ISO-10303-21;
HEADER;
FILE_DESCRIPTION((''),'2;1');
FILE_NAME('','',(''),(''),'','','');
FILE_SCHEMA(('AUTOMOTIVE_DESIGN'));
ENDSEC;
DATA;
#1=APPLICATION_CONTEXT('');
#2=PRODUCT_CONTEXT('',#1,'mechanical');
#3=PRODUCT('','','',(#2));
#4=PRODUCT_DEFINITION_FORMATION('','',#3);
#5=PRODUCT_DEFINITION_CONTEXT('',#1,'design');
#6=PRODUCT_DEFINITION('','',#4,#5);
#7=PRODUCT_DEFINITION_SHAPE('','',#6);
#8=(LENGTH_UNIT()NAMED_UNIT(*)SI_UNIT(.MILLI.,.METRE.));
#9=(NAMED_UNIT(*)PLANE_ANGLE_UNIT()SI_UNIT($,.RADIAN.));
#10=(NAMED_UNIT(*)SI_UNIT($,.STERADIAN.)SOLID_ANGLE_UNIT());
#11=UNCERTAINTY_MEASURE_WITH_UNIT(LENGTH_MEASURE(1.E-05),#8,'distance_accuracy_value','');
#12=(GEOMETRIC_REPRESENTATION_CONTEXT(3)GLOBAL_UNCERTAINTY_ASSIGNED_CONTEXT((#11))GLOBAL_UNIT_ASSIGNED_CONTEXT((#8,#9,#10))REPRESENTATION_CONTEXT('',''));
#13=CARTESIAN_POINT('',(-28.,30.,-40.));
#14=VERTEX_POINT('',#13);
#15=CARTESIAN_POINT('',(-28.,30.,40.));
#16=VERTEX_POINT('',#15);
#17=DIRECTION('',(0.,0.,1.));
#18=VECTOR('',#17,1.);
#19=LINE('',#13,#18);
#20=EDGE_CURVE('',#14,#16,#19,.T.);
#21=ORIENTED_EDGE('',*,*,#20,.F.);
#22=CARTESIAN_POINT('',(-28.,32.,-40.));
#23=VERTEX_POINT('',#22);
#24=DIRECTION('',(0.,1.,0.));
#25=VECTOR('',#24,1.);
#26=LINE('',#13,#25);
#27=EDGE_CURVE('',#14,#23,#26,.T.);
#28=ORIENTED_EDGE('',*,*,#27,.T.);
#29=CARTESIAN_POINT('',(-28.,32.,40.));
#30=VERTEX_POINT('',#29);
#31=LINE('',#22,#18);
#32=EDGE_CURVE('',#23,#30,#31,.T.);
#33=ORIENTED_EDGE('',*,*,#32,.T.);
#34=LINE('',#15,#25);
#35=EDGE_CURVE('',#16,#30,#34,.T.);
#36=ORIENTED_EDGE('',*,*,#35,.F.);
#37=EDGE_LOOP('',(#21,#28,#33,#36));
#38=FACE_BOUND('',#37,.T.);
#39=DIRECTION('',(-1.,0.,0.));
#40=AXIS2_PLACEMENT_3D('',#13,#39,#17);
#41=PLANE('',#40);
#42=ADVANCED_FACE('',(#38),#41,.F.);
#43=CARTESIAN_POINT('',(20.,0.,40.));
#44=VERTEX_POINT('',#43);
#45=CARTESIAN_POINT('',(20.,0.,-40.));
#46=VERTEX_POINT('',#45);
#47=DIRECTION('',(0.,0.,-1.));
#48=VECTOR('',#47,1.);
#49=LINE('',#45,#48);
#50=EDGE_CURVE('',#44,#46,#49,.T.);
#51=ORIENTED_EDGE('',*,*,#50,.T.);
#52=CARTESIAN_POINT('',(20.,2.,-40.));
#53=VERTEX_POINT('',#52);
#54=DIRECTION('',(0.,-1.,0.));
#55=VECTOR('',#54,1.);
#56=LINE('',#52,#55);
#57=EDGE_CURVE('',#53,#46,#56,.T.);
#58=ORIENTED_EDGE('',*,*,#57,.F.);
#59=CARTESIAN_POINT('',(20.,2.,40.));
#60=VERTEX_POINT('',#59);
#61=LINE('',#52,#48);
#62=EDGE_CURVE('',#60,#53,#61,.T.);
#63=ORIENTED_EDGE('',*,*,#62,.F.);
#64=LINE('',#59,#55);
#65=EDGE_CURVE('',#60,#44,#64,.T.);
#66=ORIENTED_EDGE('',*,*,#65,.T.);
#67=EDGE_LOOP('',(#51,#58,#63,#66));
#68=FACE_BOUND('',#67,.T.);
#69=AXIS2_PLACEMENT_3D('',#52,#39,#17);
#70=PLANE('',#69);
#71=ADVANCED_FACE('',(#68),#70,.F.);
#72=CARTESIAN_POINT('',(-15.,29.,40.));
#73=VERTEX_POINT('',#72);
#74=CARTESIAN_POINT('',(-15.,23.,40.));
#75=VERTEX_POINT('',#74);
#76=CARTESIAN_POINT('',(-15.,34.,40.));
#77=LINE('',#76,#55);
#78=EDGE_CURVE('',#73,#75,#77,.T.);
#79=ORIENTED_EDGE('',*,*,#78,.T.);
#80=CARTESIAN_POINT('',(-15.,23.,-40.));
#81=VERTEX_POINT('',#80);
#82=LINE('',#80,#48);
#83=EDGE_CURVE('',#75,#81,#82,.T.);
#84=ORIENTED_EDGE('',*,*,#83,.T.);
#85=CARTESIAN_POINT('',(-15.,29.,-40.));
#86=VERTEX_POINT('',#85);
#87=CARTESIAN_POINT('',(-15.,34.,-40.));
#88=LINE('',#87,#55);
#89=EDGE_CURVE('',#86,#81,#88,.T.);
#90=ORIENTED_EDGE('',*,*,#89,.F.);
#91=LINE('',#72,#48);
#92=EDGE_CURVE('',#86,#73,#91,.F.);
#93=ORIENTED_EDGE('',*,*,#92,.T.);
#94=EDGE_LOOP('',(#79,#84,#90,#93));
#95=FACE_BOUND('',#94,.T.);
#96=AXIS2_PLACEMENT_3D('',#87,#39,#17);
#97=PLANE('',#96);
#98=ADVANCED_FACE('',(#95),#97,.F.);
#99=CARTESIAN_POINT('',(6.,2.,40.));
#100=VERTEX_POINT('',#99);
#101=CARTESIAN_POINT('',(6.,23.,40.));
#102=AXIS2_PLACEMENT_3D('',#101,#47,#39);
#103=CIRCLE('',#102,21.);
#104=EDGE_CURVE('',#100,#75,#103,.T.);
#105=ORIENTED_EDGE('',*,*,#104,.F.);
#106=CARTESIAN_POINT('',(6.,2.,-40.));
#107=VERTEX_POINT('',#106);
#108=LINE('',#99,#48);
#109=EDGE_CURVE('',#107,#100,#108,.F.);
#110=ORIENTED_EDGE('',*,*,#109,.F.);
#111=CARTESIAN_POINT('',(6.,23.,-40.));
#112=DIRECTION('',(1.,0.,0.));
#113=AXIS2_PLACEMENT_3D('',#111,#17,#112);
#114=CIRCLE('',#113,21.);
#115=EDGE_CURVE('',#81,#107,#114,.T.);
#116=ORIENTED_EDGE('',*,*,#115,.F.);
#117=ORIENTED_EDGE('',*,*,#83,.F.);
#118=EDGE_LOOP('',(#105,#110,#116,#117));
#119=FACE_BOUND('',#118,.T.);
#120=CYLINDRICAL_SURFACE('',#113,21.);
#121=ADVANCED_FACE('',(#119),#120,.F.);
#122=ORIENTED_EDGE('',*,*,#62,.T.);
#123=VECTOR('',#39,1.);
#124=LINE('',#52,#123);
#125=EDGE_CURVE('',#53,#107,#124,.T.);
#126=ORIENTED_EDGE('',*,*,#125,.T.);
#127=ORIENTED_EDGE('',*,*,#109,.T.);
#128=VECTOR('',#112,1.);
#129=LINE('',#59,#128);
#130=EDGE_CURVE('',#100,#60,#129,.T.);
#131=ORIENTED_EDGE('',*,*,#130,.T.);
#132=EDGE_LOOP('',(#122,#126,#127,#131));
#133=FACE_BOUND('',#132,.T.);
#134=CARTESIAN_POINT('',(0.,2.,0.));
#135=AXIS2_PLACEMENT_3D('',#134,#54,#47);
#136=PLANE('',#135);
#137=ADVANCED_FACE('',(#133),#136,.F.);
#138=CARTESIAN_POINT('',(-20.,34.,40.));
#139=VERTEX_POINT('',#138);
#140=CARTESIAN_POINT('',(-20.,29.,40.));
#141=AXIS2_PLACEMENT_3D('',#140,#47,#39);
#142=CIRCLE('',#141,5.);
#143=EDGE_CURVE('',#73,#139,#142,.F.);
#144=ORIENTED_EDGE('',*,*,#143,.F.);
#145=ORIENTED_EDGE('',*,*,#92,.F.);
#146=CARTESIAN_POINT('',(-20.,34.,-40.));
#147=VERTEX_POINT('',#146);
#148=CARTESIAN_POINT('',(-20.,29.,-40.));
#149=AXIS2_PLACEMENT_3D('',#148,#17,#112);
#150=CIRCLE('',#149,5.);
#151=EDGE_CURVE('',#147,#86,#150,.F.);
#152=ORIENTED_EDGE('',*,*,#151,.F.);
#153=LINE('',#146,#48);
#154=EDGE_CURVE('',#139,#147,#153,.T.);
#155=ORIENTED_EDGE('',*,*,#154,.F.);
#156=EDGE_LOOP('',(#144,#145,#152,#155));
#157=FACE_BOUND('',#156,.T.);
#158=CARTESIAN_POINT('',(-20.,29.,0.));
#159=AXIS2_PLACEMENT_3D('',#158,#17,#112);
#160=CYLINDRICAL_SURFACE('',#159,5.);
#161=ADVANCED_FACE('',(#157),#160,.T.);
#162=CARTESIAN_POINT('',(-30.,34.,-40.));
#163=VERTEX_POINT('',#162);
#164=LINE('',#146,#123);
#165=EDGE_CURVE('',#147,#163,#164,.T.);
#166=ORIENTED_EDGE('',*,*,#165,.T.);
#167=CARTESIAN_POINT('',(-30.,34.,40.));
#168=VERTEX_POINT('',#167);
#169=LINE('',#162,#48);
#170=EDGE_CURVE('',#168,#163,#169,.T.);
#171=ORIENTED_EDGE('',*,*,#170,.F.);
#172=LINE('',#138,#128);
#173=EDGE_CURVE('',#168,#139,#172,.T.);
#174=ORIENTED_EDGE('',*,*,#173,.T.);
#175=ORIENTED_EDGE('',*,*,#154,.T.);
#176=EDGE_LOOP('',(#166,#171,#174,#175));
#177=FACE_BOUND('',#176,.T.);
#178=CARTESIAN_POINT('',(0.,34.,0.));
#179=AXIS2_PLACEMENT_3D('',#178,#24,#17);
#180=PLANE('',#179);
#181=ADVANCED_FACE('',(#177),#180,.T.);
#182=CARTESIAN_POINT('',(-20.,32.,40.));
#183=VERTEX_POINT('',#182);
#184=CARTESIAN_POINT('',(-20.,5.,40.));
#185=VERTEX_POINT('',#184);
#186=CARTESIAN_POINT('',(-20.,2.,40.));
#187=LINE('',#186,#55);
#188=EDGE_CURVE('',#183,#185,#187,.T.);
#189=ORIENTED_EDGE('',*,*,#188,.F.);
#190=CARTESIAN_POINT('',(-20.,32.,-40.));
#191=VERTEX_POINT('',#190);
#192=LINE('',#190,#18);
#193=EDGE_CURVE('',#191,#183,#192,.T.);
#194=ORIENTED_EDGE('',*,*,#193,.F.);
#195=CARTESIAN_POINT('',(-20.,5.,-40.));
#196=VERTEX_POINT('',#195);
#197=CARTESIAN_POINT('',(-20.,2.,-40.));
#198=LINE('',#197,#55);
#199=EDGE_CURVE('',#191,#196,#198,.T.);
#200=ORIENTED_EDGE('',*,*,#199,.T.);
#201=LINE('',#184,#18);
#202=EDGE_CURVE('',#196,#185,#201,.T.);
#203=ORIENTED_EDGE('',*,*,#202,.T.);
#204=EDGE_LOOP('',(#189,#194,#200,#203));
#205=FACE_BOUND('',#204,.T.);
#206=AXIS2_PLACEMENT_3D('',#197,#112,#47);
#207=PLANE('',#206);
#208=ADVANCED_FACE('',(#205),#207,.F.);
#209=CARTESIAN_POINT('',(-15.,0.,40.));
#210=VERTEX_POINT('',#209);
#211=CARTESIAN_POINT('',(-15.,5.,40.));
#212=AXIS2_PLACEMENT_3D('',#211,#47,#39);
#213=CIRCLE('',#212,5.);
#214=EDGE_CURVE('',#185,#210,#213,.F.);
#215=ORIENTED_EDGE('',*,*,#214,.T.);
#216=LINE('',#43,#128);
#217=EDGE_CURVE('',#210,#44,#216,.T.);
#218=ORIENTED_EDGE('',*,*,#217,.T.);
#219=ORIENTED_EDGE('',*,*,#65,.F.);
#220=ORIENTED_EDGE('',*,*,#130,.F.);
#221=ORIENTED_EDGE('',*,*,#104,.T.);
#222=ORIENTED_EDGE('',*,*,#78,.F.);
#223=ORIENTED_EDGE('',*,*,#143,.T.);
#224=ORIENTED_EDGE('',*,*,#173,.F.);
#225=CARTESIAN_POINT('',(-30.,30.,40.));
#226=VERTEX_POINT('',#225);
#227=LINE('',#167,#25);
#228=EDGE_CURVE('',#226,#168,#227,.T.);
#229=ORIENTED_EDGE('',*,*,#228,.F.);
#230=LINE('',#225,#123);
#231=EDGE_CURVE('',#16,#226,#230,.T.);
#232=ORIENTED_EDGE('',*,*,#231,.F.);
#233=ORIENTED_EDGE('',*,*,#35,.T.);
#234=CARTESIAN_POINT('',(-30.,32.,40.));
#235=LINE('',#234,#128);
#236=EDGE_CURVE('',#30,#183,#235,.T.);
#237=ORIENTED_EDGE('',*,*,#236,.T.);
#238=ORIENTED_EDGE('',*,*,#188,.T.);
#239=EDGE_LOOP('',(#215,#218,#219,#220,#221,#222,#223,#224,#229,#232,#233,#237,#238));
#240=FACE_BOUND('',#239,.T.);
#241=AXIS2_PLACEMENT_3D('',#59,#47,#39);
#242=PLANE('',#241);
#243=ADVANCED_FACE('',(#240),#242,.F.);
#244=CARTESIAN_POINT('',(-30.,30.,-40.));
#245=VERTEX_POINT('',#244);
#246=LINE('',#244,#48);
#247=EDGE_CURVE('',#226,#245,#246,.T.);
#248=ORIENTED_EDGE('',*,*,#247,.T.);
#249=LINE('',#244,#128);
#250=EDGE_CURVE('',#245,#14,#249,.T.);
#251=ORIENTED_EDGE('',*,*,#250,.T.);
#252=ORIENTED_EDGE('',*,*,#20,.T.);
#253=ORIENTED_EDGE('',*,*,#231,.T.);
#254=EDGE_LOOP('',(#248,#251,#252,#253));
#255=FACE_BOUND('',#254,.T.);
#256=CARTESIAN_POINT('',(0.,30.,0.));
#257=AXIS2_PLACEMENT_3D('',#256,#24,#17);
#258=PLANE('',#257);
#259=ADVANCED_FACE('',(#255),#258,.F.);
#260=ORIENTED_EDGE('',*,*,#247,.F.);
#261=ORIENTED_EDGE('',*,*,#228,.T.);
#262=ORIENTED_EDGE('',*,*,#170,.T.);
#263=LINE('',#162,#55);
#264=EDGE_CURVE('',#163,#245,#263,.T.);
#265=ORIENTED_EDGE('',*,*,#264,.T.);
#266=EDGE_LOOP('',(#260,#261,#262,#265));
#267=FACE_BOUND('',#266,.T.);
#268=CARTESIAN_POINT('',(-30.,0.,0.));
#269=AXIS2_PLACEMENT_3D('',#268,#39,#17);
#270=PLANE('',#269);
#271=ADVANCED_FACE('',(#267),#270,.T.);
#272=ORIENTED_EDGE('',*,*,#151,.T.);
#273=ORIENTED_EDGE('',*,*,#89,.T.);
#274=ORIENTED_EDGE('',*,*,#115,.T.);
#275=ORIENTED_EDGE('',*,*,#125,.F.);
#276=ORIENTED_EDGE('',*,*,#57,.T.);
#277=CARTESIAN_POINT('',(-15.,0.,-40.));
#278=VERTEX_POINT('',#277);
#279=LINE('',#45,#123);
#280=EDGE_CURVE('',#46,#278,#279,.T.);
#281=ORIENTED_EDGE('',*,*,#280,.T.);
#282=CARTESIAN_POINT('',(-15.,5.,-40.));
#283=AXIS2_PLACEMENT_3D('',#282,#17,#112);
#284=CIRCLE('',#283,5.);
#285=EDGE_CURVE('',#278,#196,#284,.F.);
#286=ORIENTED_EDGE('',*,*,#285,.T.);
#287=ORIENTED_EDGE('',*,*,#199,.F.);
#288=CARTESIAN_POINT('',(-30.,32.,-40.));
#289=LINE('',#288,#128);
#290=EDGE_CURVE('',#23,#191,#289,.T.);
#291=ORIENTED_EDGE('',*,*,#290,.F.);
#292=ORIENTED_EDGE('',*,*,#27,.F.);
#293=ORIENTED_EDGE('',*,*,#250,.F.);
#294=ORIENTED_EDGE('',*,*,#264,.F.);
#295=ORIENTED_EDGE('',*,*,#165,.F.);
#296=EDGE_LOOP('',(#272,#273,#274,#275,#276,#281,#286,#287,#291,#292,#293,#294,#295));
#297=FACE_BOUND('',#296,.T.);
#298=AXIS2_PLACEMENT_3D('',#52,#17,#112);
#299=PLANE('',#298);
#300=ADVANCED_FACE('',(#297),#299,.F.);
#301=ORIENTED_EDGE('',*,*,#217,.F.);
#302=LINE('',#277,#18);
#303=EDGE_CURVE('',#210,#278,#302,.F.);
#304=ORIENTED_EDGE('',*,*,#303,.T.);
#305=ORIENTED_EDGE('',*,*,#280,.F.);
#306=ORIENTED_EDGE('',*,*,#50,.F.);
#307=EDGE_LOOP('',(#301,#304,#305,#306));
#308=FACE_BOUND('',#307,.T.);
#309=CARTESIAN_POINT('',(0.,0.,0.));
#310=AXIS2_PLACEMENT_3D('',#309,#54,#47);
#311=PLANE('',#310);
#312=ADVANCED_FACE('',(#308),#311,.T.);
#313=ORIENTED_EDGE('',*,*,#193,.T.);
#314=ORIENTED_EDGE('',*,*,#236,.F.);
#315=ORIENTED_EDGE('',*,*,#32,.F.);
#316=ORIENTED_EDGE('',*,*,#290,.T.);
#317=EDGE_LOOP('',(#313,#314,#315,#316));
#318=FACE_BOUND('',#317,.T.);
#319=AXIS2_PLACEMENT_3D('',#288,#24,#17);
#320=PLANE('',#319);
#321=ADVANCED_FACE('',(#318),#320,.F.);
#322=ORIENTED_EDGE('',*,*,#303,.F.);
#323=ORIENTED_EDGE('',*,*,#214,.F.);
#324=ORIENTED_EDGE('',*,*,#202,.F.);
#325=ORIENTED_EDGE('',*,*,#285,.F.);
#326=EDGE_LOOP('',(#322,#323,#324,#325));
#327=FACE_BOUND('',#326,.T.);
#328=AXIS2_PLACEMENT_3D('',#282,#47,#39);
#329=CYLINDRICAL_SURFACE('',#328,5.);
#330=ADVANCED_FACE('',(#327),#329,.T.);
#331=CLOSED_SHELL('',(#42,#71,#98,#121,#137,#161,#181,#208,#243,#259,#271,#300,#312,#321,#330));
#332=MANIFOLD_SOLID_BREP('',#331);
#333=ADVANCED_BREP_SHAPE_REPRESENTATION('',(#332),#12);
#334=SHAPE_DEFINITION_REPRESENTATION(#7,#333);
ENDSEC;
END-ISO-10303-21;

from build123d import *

# Parameters (mm, degrees)
SKETCH1_W           = 40
SKETCH1_H           = 80
BOSS_EXTRUDE4_DEPTH = 2
SKETCH4_W           = 5
SKETCH4_H           = 80
BOSS_EXTRUDE5_DEPTH = 32
FILLET3_R           = 21
SKETCH5_W           = 80
SKETCH5_H           = 2
BOSS_EXTRUDE6_DEPTH = 10
SKETCH6_W           = 2
SKETCH6_H           = 80
BOSS_EXTRUDE7_DEPTH = 2
FILLET4_R           = 5


with BuildPart() as part:
    # Sketch1 → Boss-Extrude4 (new body)
    with BuildSketch(Plane(origin=(0, 0, 0), x_dir=(1, 0, 0), z_dir=(0, 1, 0))):
        Rectangle(SKETCH1_W, SKETCH1_H)
    extrude(amount=BOSS_EXTRUDE4_DEPTH)

    # Sketch4 → Boss-Extrude5 (add)
    with BuildSketch(Plane(origin=(0, 2, 0), x_dir=(1, 0, 0), z_dir=(0, 1, 0))):
        with Locations((-17.5, 0)):
            Rectangle(SKETCH4_W, SKETCH4_H)
    extrude(amount=BOSS_EXTRUDE5_DEPTH)

    # Fillet3
    fillet3_edges = [part.edges().sort_by_distance(p)[0] for p in [
        (-15, 2, 0),
    ]]
    fillet(fillet3_edges, radius=FILLET3_R)

    # Sketch5 → Boss-Extrude6 (add)
    with BuildSketch(Plane.ZY.offset(20)):
        with Locations((0, 33)):
            Rectangle(SKETCH5_W, SKETCH5_H)
    extrude(amount=BOSS_EXTRUDE6_DEPTH)

    # Sketch6 → Boss-Extrude7 (add)
    with BuildSketch(Plane.XZ.offset(-32)):
        with Locations((-29, 0)):
            Rectangle(SKETCH6_W, SKETCH6_H)
    extrude(amount=BOSS_EXTRUDE7_DEPTH)

    # Fillet4
    fillet4_edges = [part.edges().sort_by_distance(p)[0] for p in [
        (-15, 34, 0),
        (-20, 0, 0),
    ]]
    fillet(fillet4_edges, radius=FILLET4_R)


solid = part.part
